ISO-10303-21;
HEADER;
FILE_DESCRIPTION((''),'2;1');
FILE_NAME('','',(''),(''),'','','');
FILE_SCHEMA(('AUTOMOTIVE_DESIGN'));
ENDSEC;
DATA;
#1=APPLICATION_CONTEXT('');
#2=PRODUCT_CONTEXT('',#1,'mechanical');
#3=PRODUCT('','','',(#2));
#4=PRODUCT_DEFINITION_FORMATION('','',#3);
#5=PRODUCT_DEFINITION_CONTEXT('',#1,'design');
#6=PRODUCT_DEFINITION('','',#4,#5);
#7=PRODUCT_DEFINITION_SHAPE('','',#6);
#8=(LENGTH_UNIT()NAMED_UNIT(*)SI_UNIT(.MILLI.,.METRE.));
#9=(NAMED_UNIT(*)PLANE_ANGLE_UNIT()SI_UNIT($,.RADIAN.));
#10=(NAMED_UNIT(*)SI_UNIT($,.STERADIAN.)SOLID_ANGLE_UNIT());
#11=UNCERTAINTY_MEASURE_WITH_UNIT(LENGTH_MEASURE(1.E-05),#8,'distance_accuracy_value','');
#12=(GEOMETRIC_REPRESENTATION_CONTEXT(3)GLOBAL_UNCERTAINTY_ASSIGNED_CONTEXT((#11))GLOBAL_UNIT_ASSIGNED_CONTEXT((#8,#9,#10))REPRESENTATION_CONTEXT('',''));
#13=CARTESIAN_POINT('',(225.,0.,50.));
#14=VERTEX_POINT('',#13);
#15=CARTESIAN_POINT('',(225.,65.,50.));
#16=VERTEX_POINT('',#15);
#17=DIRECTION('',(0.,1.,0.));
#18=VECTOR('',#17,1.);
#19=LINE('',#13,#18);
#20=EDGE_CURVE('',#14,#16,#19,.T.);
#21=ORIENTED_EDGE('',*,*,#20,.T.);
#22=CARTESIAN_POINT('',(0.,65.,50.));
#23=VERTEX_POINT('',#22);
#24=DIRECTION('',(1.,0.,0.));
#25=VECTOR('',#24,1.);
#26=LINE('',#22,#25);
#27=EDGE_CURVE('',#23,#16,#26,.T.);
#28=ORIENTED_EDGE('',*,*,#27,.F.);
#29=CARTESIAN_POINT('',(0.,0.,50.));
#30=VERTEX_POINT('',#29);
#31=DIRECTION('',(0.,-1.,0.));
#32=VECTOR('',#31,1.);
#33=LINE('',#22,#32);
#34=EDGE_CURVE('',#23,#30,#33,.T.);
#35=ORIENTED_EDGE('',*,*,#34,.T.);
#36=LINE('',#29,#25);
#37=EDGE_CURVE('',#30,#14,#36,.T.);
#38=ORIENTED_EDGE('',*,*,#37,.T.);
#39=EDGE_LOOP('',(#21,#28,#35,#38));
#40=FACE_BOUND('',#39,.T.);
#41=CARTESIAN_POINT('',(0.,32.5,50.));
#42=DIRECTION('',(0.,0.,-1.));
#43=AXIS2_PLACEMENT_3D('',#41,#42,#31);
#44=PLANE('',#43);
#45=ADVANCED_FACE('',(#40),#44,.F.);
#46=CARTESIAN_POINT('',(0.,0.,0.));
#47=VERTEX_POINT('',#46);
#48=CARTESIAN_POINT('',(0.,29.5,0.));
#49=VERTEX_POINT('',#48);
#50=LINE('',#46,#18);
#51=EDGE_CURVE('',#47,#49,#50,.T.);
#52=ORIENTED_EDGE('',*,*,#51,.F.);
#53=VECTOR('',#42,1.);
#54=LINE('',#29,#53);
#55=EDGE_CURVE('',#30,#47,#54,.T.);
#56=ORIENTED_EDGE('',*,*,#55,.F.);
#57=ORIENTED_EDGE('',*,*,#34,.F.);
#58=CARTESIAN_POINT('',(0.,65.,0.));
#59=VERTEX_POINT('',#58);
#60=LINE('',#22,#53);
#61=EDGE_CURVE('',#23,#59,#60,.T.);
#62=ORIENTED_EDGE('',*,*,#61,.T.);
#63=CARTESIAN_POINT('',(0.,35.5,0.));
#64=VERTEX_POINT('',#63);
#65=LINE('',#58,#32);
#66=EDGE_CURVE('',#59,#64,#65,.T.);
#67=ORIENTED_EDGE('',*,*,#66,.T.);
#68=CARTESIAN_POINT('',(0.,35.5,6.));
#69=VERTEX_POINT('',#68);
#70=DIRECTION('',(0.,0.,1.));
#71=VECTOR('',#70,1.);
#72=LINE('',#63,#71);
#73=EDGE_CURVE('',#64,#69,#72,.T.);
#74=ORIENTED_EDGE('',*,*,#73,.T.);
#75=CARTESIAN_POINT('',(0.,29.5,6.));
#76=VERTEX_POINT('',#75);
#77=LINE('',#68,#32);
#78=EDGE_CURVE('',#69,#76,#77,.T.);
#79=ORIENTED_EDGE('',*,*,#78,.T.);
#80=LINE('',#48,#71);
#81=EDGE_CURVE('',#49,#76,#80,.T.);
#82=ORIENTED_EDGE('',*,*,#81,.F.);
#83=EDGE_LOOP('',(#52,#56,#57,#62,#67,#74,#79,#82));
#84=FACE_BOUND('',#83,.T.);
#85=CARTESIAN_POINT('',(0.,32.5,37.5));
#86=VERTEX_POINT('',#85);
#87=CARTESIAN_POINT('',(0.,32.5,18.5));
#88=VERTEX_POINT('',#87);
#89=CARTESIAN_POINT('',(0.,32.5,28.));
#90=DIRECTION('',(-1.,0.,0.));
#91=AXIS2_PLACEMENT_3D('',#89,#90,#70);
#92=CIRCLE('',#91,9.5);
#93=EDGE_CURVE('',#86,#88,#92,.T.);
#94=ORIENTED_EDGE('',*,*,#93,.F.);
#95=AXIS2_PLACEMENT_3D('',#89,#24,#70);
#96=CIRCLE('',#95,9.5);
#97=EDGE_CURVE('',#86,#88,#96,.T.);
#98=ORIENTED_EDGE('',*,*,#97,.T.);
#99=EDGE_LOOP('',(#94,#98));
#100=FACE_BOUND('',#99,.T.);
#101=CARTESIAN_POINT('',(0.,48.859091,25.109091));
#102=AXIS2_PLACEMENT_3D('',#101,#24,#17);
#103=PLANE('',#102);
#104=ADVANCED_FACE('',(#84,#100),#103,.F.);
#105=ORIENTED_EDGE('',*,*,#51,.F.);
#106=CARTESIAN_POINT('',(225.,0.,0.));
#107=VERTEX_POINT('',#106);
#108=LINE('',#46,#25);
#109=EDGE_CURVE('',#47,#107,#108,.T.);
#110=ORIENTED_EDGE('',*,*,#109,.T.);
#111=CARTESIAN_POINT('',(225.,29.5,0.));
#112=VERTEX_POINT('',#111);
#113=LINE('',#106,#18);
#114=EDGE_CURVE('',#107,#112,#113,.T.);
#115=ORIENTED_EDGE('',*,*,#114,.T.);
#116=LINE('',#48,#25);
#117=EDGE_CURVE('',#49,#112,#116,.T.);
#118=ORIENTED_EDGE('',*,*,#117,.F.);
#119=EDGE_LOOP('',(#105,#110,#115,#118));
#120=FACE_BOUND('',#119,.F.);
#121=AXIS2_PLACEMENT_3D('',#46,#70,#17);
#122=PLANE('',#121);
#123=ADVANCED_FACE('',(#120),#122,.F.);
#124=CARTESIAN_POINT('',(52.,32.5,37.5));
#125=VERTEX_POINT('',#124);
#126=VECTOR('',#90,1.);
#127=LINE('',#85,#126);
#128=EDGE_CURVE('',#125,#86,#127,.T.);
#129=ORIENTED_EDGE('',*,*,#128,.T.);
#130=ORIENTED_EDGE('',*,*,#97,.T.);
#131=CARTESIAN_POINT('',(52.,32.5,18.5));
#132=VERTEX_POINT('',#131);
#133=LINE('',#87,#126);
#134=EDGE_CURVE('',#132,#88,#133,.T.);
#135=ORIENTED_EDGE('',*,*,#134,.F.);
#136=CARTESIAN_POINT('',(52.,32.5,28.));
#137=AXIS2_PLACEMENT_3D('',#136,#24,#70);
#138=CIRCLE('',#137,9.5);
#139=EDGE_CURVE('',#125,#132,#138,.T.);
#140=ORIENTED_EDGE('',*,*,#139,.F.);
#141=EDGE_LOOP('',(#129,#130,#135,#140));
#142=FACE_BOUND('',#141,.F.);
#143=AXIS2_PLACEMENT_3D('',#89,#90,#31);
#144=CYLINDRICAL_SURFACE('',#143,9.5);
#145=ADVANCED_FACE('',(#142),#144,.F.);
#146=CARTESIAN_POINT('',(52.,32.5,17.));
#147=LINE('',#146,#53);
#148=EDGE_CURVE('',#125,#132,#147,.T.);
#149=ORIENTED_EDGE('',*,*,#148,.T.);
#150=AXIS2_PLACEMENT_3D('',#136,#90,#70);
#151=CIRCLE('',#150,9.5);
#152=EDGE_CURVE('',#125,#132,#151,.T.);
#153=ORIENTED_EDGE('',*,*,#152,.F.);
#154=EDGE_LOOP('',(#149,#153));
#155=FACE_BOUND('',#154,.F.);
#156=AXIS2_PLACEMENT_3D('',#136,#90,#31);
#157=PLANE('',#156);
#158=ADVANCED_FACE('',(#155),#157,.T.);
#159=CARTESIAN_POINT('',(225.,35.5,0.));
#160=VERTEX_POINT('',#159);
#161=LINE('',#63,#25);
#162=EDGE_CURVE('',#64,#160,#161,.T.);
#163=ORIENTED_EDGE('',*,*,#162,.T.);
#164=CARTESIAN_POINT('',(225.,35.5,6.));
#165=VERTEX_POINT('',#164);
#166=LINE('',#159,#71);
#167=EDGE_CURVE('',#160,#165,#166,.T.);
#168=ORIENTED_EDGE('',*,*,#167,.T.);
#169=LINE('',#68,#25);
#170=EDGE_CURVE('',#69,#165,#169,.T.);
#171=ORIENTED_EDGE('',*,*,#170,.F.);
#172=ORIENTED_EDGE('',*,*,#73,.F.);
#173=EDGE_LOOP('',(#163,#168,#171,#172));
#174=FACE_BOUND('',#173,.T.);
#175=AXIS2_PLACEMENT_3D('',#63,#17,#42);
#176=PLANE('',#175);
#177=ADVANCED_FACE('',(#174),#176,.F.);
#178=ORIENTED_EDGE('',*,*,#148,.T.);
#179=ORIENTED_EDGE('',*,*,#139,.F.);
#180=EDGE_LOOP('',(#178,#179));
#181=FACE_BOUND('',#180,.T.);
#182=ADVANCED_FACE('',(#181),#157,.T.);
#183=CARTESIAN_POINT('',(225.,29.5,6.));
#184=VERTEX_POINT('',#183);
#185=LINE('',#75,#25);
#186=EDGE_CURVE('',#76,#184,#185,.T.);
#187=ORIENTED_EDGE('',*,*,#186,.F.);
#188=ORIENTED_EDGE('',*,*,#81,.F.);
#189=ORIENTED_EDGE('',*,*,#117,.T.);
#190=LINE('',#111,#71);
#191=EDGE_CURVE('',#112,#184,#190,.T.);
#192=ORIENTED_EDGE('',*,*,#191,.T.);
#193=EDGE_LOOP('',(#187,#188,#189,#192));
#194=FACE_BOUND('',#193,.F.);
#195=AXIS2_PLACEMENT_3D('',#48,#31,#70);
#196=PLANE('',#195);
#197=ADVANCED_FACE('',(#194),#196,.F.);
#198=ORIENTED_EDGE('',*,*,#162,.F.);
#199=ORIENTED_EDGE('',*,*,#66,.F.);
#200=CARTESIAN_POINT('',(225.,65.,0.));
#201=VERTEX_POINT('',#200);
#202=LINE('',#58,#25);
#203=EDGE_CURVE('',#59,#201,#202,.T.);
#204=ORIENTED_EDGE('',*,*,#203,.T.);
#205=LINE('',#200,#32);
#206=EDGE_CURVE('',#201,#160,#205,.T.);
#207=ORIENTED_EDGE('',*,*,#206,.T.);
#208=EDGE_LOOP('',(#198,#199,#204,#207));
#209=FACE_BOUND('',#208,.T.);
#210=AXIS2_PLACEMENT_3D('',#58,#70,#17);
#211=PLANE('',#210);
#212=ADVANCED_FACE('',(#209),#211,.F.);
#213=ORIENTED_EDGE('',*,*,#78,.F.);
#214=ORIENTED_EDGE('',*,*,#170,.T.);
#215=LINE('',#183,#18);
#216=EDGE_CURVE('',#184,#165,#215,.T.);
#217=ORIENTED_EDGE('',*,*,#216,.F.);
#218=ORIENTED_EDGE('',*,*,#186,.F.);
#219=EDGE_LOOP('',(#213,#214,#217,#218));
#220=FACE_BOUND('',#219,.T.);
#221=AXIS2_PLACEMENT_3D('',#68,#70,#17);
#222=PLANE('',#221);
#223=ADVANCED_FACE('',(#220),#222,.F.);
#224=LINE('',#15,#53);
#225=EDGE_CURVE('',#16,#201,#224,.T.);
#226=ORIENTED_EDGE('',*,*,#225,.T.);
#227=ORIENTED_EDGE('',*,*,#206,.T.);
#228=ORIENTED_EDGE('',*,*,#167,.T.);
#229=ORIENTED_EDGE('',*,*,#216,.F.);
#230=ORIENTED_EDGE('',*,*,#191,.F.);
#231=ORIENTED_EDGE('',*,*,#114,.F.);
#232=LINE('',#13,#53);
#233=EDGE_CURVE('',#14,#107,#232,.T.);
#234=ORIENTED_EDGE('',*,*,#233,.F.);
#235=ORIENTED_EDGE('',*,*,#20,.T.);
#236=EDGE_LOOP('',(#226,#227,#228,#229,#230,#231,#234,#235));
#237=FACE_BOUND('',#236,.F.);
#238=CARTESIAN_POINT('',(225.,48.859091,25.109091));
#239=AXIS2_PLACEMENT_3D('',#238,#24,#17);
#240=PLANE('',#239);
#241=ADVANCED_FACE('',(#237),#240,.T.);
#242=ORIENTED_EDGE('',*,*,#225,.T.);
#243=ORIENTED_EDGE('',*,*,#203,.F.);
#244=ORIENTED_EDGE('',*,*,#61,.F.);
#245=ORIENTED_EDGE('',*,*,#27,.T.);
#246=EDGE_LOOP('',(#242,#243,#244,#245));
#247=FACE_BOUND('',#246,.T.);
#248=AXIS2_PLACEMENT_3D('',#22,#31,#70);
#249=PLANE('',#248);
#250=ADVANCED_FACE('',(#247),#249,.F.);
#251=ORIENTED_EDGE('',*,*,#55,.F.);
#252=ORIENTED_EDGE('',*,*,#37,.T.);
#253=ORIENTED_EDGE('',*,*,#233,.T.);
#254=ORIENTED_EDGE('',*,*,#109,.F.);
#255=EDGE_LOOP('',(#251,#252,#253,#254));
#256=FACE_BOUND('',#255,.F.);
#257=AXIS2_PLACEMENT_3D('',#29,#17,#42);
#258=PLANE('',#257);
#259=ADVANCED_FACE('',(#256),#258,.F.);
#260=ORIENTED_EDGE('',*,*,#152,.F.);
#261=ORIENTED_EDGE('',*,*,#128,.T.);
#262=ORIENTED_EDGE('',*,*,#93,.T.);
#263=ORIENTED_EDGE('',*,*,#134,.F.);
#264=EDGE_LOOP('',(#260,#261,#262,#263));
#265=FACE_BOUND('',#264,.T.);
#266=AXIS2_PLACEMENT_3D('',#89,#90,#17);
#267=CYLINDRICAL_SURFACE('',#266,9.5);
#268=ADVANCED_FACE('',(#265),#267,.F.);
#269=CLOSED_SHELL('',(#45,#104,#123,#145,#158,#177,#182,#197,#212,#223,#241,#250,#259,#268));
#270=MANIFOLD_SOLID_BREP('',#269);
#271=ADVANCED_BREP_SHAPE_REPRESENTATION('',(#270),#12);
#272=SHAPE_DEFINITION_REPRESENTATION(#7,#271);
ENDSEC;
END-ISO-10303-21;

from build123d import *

# Parameters (mm, degrees)
F1_DEPTH = 225
F2_R     = 9.5
F3_DEPTH = 52


with BuildPart() as f1:
    # F0 (on Right) → F1 (new body)
    with BuildSketch(Plane.YZ):
        Polygon((0, 50), (0, 0), (29.5, 0), (29.5, 6), (32.5, 6), (32.5, 50), align=None)
    extrude(amount=F1_DEPTH)

    # F2 (on face) → F3 (cut)
    with BuildSketch(Plane(origin=(0, 0, 0), x_dir=(0, -1, 0), z_dir=(-1, 0, 0))):
        with Locations((-32.5, 28)):
            Circle(F2_R)
    extrude(amount=-F3_DEPTH, mode=Mode.SUBTRACT)

    # F4: F1 across face


with BuildPart() as f1_1:
    add(f1.part)
    add(f1.part.mirror(Plane(origin=(122.089542, 32.5, 28), x_dir=(-1, 0, 0), z_dir=(0, 1, 0))))


solid = f1_1.part
